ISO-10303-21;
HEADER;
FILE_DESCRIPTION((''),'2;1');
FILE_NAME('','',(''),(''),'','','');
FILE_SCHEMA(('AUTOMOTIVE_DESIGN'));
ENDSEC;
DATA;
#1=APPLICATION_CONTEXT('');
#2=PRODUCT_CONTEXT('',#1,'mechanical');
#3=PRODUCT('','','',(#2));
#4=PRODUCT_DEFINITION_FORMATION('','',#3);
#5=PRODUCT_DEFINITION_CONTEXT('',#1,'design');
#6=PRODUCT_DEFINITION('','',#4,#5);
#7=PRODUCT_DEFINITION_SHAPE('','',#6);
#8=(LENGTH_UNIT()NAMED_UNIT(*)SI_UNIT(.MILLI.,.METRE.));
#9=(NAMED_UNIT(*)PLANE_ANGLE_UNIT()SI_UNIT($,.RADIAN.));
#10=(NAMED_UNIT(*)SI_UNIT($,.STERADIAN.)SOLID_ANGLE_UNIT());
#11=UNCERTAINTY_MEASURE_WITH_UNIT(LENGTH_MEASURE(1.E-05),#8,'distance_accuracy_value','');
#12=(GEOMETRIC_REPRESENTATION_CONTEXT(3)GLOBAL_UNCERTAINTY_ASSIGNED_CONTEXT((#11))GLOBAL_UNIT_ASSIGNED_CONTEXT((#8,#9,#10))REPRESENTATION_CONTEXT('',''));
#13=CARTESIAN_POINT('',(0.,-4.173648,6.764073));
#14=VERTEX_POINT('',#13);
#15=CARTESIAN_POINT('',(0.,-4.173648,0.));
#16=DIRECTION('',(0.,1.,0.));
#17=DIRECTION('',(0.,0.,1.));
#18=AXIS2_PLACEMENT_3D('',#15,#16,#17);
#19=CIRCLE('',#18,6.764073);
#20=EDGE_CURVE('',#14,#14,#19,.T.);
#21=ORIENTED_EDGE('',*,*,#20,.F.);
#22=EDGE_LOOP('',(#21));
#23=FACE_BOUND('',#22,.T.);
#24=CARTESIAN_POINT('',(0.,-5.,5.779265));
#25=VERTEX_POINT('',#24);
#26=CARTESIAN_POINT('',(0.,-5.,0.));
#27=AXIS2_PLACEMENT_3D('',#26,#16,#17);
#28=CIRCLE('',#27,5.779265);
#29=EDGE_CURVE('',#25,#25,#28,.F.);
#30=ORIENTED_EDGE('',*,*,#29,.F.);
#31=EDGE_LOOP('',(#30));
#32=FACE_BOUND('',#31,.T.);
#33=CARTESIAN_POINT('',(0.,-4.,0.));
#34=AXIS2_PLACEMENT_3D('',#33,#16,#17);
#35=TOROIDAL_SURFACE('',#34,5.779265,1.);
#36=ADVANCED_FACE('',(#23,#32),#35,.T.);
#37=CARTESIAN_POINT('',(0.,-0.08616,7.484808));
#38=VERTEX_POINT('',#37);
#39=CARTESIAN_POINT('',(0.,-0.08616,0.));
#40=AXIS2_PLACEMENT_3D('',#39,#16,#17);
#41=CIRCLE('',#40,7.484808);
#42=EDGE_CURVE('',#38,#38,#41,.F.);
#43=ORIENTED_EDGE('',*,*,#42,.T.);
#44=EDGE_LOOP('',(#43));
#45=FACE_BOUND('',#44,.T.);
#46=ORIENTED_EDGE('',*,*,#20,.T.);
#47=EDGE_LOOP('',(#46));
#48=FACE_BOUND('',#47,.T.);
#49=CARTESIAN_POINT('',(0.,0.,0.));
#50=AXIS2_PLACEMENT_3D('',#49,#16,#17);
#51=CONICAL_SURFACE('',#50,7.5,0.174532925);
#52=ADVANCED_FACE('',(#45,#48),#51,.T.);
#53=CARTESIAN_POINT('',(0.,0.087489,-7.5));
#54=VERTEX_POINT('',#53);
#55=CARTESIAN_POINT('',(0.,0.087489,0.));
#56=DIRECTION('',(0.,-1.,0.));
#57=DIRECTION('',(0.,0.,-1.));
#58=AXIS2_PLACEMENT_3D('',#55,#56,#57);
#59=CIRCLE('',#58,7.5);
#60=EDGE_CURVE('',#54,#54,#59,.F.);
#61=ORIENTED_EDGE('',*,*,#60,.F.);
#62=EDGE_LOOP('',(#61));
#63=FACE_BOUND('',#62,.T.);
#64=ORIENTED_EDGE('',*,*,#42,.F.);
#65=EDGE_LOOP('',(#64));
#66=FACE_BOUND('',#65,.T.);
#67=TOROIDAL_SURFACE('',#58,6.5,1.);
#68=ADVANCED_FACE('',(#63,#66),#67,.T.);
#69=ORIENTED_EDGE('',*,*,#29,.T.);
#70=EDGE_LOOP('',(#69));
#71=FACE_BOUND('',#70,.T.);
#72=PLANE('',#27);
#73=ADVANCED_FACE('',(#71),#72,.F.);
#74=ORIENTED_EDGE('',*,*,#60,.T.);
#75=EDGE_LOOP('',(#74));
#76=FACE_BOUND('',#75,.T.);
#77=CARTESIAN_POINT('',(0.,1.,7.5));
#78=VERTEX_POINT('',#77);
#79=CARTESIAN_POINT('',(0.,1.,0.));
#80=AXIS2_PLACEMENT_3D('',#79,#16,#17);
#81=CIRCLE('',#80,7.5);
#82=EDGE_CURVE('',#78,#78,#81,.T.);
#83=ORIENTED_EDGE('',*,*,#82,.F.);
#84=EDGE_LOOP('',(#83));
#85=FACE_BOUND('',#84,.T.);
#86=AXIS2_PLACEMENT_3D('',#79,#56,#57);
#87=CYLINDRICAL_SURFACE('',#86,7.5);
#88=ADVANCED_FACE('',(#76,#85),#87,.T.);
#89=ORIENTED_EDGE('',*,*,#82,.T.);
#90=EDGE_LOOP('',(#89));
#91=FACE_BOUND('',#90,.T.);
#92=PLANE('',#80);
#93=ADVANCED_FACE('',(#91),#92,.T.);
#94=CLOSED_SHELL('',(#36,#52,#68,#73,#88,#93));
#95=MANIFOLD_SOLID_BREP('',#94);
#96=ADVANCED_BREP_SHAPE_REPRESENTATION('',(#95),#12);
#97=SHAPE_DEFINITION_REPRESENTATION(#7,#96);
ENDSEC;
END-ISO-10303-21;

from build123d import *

# Parameters (mm, degrees)
SKETCH2_R           = 7.5
BOSS_EXTRUDE1_DEPTH = 5
BOSS_EXTRUDE1_TAPER = 10
SKETCH3_R           = 7.5
BOSS_EXTRUDE2_DEPTH = 1
FILLET1_R           = 1


with BuildPart() as part:
    # Sketch2 → Boss-Extrude1 (new body)
    with BuildSketch(Plane(origin=(0, 0, 0), x_dir=(1, 0, 0), z_dir=(0, 1, 0))):
        Circle(SKETCH2_R)
    extrude(amount=-BOSS_EXTRUDE1_DEPTH, taper=BOSS_EXTRUDE1_TAPER)

    # Sketch3 → Boss-Extrude2 (add)
    with BuildSketch(Plane(origin=(0, 0, 0), x_dir=(1, 0, 0), z_dir=(0, 1, 0))):
        Circle(SKETCH3_R)
    extrude(amount=BOSS_EXTRUDE2_DEPTH)

    # Fillet1
    fillet1_edges = [part.edges().sort_by_distance(p)[0] for p in [
        (-7.5, 0, 0),
        (-6.618365096, -5, 0),
    ]]
    fillet(fillet1_edges, radius=FILLET1_R)


solid = part.part
